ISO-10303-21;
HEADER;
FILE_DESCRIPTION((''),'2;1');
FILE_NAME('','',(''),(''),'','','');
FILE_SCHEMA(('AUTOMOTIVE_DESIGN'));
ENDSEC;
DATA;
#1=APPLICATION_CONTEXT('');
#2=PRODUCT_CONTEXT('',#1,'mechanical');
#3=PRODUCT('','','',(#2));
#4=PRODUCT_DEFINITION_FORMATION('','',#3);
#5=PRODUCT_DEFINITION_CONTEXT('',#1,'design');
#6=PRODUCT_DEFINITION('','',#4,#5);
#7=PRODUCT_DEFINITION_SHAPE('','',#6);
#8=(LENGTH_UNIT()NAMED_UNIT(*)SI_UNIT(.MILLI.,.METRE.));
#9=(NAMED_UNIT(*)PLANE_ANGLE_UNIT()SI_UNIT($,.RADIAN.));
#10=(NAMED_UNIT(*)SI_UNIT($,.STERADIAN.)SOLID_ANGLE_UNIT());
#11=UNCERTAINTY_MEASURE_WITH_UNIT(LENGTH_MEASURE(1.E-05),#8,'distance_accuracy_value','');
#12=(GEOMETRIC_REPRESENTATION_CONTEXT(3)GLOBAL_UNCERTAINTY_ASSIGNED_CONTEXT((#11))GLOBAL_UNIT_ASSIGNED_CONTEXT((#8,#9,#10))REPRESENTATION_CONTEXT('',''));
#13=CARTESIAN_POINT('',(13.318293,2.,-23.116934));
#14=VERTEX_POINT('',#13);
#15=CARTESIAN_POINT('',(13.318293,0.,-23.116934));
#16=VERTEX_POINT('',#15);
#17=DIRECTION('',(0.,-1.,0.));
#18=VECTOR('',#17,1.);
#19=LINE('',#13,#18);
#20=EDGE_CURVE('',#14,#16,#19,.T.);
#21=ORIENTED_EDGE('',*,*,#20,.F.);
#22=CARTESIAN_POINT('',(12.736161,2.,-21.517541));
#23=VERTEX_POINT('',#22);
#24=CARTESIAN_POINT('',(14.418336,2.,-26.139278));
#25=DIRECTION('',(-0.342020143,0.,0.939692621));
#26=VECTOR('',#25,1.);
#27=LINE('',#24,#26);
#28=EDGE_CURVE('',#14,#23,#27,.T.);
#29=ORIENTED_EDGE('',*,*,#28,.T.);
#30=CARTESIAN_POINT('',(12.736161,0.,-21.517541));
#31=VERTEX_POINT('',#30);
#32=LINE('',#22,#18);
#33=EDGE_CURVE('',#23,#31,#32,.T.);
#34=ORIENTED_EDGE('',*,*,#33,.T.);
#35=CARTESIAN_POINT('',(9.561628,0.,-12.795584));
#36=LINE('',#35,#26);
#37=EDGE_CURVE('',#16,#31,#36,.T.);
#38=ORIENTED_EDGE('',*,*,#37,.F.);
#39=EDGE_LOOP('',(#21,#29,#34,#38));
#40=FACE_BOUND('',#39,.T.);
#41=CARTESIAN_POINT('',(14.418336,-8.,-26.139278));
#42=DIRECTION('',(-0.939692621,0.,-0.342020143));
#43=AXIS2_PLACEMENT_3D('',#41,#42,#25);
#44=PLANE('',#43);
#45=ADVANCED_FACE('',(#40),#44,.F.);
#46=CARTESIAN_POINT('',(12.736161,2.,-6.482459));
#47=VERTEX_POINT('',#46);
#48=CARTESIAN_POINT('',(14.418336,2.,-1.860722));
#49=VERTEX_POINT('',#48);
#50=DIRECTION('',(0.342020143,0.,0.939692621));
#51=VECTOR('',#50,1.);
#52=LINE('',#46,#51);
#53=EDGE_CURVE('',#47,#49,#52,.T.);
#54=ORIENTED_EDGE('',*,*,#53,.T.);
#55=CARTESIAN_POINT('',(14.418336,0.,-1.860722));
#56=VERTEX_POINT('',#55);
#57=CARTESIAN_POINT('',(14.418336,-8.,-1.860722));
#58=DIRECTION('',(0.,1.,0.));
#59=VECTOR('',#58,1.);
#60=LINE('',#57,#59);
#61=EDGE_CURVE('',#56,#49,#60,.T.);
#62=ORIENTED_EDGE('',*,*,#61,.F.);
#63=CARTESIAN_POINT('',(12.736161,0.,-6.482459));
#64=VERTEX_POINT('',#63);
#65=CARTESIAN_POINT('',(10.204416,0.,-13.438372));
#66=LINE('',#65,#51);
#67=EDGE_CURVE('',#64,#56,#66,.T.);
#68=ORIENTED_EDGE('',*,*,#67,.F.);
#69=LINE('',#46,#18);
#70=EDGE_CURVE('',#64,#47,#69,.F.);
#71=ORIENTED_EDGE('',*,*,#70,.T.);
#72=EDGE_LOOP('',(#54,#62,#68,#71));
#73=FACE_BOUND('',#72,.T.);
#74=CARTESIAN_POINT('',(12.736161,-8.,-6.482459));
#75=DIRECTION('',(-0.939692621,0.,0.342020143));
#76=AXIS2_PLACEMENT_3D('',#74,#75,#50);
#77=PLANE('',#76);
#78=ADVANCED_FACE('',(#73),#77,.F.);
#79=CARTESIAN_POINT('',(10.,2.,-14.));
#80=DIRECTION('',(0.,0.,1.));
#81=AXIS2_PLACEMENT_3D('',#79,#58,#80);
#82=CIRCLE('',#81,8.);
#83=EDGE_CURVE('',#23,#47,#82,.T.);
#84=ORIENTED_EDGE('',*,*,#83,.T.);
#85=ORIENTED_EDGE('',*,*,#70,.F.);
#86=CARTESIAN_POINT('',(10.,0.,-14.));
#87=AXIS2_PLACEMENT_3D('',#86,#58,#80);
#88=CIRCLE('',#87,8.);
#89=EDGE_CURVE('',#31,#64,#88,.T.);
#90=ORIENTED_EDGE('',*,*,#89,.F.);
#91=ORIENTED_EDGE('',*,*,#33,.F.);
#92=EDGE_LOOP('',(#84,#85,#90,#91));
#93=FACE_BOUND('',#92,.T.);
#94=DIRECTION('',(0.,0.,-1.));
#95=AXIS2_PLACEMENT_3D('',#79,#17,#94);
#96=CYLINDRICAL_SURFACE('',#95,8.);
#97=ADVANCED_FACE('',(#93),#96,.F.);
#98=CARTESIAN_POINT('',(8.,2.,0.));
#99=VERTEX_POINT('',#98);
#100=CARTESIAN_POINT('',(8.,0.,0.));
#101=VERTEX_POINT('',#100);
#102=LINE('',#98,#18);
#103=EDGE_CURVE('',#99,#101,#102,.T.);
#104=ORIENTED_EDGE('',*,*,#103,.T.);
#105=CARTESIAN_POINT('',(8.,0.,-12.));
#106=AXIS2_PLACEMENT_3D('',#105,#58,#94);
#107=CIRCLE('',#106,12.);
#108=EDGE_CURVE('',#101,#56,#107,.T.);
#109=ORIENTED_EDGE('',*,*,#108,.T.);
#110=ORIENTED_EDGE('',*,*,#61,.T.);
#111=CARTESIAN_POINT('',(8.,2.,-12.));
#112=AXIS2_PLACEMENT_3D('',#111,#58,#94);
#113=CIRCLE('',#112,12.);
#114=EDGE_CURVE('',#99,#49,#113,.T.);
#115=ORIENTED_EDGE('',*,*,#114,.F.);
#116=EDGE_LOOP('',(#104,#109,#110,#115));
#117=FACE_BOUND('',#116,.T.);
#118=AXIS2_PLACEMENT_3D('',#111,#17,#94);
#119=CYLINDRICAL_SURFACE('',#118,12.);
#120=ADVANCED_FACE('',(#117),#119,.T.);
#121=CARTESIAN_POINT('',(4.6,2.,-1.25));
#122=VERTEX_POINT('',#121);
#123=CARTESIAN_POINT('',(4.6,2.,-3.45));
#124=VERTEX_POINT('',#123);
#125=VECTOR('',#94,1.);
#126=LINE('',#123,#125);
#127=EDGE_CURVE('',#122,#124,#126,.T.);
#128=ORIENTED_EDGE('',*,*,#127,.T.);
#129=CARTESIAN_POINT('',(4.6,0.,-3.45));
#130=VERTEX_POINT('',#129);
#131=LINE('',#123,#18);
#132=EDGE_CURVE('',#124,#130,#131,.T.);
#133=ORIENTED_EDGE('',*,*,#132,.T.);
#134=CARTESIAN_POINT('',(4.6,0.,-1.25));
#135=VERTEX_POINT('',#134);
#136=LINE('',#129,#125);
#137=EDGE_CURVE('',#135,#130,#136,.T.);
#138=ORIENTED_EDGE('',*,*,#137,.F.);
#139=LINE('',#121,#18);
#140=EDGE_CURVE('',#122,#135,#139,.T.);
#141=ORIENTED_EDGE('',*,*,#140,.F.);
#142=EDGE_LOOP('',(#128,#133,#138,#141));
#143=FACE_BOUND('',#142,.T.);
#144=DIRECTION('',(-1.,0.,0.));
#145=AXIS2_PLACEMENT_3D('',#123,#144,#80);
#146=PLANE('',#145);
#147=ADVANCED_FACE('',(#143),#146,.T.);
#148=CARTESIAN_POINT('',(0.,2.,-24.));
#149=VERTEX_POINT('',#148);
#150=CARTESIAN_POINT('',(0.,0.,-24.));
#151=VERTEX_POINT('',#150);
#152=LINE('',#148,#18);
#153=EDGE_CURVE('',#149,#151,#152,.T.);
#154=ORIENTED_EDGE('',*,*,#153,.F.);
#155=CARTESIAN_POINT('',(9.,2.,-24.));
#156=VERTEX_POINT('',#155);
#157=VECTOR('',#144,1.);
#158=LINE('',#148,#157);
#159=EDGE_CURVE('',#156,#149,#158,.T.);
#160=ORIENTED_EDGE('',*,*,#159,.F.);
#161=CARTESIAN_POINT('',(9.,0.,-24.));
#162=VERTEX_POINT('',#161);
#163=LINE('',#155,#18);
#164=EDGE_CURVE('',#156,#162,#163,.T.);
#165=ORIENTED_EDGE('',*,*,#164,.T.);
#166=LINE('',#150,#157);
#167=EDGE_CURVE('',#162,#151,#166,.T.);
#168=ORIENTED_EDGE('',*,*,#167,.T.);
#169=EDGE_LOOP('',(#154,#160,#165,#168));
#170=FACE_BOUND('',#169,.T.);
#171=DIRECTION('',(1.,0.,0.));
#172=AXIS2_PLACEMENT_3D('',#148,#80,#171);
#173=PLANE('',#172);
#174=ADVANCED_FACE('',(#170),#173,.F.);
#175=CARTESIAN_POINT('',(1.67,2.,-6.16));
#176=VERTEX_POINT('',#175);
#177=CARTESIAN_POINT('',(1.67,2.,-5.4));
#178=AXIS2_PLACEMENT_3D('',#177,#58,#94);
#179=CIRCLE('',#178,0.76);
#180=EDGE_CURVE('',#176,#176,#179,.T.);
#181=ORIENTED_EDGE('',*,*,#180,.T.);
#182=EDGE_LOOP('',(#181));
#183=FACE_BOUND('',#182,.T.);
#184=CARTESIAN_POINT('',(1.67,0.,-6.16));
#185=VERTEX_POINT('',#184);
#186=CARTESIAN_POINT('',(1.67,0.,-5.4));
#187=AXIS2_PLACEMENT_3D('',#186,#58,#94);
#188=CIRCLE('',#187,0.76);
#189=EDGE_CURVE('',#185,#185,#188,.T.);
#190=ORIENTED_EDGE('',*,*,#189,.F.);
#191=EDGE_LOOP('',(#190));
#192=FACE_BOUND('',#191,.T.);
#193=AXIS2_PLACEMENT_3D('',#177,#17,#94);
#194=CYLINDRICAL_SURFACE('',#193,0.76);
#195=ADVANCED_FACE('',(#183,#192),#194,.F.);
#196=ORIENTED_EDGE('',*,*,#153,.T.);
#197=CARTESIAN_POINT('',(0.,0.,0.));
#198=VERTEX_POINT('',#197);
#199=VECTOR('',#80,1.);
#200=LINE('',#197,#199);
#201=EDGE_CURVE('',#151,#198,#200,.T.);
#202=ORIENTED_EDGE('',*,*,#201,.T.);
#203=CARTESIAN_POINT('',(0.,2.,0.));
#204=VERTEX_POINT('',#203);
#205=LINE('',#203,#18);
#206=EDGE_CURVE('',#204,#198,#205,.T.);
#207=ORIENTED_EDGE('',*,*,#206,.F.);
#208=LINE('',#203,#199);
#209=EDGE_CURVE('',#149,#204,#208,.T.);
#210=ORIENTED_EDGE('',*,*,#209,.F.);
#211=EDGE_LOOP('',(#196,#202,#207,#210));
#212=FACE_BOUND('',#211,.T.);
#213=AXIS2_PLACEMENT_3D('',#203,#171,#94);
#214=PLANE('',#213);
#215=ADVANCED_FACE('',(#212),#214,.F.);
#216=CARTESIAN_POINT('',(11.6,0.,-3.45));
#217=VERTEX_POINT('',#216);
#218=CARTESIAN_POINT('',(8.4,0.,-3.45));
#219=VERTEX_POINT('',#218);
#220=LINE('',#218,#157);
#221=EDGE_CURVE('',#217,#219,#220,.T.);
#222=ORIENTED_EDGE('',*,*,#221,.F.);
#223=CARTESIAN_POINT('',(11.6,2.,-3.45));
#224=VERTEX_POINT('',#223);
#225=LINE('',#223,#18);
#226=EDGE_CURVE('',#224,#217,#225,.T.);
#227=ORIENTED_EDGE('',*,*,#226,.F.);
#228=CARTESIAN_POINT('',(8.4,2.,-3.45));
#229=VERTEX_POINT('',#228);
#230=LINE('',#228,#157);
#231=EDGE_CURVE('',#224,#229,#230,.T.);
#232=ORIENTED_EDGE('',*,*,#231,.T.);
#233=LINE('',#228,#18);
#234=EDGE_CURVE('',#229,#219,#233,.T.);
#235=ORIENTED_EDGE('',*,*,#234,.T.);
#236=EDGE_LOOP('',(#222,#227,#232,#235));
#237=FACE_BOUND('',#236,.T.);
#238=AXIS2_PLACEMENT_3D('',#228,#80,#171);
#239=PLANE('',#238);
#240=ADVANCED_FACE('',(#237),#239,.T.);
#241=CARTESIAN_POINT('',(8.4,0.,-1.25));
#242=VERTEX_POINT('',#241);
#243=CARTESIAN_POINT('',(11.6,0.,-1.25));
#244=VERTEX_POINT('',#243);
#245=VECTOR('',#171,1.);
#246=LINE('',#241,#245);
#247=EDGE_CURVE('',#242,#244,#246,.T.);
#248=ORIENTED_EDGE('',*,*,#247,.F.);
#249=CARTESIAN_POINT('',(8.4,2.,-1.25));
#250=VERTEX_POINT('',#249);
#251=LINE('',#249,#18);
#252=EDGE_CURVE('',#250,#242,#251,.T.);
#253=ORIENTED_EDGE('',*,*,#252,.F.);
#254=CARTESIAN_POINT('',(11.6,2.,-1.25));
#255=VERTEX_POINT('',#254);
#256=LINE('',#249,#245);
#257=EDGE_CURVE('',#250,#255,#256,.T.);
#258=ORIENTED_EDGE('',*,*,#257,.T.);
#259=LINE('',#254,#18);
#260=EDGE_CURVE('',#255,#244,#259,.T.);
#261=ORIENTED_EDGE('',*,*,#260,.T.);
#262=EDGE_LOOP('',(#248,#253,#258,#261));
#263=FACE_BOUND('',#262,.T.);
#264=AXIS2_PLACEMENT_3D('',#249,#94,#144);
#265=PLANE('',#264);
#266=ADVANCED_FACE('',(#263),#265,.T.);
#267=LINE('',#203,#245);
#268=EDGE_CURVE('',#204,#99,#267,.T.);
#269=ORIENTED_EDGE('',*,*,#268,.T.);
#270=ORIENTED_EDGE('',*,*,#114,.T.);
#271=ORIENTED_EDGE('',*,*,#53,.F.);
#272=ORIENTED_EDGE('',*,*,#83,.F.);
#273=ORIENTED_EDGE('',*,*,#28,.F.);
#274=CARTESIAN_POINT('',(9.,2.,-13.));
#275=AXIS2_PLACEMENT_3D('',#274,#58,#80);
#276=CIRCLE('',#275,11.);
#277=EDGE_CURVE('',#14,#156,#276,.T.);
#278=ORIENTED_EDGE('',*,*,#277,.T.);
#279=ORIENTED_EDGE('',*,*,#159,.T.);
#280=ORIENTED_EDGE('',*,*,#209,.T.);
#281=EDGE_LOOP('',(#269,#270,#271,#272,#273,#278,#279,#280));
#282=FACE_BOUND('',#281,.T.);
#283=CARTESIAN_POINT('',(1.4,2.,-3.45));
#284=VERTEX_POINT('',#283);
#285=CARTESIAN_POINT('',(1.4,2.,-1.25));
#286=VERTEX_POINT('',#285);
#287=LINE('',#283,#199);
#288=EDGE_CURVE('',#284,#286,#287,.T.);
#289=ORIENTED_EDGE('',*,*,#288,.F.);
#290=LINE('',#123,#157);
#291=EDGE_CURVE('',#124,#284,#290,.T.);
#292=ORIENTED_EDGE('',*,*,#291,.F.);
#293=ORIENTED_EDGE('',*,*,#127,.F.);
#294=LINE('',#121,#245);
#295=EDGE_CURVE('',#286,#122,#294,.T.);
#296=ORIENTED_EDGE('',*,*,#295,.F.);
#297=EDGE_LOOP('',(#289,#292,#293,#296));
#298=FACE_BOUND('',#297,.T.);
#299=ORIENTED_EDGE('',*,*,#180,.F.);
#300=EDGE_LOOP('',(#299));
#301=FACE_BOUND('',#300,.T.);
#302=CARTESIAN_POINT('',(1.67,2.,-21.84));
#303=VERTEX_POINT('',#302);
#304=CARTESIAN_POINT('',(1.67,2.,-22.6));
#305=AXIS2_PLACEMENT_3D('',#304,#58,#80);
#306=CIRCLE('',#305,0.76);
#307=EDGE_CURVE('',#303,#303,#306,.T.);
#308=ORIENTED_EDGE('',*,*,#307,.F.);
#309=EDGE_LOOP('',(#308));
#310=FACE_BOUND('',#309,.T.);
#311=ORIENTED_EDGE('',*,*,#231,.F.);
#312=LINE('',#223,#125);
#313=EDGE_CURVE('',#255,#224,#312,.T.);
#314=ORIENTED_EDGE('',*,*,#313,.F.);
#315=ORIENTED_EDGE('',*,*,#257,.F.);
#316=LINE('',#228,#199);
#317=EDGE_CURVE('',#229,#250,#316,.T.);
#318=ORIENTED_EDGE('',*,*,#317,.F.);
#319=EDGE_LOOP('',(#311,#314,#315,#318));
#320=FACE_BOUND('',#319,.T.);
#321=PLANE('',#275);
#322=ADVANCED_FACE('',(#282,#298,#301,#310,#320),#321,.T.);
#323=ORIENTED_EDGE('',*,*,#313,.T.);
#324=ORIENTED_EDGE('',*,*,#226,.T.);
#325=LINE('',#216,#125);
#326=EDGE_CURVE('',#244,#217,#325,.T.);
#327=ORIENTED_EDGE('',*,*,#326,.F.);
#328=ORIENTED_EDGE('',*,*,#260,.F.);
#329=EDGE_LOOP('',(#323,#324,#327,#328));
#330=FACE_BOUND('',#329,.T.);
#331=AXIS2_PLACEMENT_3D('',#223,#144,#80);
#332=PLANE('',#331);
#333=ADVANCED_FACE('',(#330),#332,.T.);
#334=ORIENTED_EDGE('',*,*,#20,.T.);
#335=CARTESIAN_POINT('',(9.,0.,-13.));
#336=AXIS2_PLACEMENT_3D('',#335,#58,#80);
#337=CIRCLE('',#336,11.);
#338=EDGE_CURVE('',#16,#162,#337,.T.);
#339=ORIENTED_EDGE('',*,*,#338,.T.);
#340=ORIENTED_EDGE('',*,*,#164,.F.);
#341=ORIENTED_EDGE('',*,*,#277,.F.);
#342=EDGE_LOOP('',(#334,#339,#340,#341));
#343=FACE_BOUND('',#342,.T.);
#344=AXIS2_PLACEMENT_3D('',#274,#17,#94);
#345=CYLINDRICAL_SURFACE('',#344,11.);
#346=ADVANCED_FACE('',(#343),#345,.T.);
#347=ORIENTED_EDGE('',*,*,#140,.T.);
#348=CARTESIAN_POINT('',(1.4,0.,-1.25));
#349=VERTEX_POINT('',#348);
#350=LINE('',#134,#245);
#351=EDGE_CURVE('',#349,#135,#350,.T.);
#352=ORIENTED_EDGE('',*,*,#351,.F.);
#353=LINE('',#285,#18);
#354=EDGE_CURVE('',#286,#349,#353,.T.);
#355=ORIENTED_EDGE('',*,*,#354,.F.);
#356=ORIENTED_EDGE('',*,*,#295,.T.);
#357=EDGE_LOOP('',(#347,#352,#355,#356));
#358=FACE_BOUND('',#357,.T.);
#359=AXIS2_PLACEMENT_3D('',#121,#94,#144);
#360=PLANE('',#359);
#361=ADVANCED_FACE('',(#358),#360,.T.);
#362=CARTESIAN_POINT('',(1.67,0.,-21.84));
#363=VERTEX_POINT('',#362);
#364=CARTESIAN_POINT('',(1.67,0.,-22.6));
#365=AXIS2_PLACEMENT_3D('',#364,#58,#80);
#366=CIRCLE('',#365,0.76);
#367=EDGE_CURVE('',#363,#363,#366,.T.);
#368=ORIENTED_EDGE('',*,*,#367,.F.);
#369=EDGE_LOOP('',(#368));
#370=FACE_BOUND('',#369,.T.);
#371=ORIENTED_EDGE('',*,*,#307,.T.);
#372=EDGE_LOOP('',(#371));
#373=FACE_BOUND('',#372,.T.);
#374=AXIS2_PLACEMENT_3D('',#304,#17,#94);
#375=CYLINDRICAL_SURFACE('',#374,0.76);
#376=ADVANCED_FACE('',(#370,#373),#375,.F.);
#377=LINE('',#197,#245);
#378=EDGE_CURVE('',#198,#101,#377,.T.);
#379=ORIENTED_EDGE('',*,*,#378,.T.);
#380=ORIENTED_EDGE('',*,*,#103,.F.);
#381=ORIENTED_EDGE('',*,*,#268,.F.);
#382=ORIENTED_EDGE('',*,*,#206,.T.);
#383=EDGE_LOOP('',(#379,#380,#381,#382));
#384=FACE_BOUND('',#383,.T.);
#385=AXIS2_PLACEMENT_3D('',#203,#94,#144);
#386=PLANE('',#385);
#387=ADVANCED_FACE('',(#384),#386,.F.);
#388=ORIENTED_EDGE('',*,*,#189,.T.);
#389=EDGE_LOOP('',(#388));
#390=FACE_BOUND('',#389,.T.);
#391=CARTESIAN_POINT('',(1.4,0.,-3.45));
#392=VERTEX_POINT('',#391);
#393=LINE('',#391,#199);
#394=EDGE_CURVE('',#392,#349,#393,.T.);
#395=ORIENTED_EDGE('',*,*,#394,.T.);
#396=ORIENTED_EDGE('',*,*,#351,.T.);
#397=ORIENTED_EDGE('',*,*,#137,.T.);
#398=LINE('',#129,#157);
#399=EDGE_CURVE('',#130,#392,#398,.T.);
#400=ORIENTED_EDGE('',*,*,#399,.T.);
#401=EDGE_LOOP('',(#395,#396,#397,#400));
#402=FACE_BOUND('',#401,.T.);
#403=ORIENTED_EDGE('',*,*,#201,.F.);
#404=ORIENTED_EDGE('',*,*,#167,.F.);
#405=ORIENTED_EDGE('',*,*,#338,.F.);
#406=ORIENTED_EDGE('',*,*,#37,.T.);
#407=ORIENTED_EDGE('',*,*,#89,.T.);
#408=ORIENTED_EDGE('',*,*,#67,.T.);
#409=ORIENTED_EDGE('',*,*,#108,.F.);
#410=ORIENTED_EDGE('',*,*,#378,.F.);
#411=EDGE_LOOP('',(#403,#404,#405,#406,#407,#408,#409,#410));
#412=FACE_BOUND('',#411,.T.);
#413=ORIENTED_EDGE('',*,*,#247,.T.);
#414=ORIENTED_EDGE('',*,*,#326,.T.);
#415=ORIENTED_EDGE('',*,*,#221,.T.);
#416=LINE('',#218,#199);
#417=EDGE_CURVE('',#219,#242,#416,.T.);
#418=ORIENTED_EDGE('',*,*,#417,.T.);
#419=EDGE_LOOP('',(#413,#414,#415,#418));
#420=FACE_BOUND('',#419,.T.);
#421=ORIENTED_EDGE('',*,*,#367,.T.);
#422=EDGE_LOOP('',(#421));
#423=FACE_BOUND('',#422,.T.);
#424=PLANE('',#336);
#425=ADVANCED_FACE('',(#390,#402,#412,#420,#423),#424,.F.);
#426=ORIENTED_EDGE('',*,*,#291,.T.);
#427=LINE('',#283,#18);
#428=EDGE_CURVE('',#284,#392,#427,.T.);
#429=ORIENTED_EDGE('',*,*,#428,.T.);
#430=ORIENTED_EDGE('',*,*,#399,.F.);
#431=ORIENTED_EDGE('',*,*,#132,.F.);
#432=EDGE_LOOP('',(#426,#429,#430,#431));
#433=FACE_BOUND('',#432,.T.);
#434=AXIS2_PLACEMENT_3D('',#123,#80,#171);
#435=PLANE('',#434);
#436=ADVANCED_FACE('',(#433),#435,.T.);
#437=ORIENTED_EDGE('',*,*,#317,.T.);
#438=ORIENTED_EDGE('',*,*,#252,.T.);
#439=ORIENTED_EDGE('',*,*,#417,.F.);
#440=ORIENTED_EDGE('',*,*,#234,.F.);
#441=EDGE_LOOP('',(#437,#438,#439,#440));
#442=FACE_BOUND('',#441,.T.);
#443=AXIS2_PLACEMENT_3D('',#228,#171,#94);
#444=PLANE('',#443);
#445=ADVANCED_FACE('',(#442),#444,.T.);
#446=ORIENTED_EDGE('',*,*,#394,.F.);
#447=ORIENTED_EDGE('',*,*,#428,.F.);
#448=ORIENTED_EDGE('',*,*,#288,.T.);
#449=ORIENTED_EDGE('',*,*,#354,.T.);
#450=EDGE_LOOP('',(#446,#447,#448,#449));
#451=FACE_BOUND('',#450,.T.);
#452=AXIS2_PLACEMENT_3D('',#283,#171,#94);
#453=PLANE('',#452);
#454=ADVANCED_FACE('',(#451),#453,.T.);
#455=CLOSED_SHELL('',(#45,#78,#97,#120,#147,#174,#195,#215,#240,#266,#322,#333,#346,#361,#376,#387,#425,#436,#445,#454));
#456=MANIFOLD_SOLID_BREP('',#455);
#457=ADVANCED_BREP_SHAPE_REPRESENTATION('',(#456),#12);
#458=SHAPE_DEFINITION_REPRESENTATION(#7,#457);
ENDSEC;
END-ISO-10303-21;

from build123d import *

# Parameters (mm, degrees)
CROQUIS1_R              = 8
CROQUIS1_R_2            = 0.76
CROQUIS1_W              = 3.2
CROQUIS1_H              = 2.2
SALIENTE_EXTRUIR1_DEPTH = 2
CORTAR_EXTRUIR1_START   = -10
CORTAR_EXTRUIR1_DEPTH   = 10


with BuildPart() as part:
    # Croquis1 → Saliente-Extruir1 (new body)
    with BuildSketch(Plane(origin=(0, 0, 0), x_dir=(1, 0, 0), z_dir=(0, 1, 0))):
        with BuildLine():
            Line((0, 0), (8, 0))
            ThreePointArc((8, 0), (16.485281374, 3.514718626), (20, 12))
            Line((20, 12), (20, 13))
            ThreePointArc((20, 13), (16.778174593, 20.778174593), (9, 24))
            Line((9, 24), (0, 24))
            Line((0, 24), (0, 0))
        make_face()
        with Locations(Location((10, 14, 0), (0, 0, 270))):
            Circle(CROQUIS1_R, mode=Mode.SUBTRACT)
        with Locations(Location((1.67, 22.6, 0), (0, 0, 270))):
            Circle(CROQUIS1_R_2, mode=Mode.SUBTRACT)
        with Locations(Location((1.67, 5.4, 0), (0, 0, 90))):
            Circle(CROQUIS1_R_2, mode=Mode.SUBTRACT)
        with Locations((10, 2.35)):
            Rectangle(CROQUIS1_W, CROQUIS1_H, mode=Mode.SUBTRACT)
        with Locations((3, 2.35)):
            Rectangle(CROQUIS1_W, CROQUIS1_H, mode=Mode.SUBTRACT)
    extrude(amount=SALIENTE_EXTRUIR1_DEPTH)

    # Croquis2 → Cortar-Extruir1 (cut)
    with BuildSketch(Plane(origin=(0, 2, 0), x_dir=(1, 0, 0), z_dir=(0, 1, 0)).offset(CORTAR_EXTRUIR1_START)):
        with BuildLine():
            Line((14.418335952, 26.139278259), (12.736161147, 21.517540966))
            ThreePointArc((12.736161147, 21.517540966), (18, 14), (12.736161147, 6.482459034))
            Line((12.736161147, 6.482459034), (14.418335952, 1.860721741))
            ThreePointArc((14.418335952, 1.860721741), (22.918350097, 14), (14.418335952, 26.139278259))
        make_face()
    extrude(amount=CORTAR_EXTRUIR1_DEPTH, mode=Mode.SUBTRACT)


solid = part.part
